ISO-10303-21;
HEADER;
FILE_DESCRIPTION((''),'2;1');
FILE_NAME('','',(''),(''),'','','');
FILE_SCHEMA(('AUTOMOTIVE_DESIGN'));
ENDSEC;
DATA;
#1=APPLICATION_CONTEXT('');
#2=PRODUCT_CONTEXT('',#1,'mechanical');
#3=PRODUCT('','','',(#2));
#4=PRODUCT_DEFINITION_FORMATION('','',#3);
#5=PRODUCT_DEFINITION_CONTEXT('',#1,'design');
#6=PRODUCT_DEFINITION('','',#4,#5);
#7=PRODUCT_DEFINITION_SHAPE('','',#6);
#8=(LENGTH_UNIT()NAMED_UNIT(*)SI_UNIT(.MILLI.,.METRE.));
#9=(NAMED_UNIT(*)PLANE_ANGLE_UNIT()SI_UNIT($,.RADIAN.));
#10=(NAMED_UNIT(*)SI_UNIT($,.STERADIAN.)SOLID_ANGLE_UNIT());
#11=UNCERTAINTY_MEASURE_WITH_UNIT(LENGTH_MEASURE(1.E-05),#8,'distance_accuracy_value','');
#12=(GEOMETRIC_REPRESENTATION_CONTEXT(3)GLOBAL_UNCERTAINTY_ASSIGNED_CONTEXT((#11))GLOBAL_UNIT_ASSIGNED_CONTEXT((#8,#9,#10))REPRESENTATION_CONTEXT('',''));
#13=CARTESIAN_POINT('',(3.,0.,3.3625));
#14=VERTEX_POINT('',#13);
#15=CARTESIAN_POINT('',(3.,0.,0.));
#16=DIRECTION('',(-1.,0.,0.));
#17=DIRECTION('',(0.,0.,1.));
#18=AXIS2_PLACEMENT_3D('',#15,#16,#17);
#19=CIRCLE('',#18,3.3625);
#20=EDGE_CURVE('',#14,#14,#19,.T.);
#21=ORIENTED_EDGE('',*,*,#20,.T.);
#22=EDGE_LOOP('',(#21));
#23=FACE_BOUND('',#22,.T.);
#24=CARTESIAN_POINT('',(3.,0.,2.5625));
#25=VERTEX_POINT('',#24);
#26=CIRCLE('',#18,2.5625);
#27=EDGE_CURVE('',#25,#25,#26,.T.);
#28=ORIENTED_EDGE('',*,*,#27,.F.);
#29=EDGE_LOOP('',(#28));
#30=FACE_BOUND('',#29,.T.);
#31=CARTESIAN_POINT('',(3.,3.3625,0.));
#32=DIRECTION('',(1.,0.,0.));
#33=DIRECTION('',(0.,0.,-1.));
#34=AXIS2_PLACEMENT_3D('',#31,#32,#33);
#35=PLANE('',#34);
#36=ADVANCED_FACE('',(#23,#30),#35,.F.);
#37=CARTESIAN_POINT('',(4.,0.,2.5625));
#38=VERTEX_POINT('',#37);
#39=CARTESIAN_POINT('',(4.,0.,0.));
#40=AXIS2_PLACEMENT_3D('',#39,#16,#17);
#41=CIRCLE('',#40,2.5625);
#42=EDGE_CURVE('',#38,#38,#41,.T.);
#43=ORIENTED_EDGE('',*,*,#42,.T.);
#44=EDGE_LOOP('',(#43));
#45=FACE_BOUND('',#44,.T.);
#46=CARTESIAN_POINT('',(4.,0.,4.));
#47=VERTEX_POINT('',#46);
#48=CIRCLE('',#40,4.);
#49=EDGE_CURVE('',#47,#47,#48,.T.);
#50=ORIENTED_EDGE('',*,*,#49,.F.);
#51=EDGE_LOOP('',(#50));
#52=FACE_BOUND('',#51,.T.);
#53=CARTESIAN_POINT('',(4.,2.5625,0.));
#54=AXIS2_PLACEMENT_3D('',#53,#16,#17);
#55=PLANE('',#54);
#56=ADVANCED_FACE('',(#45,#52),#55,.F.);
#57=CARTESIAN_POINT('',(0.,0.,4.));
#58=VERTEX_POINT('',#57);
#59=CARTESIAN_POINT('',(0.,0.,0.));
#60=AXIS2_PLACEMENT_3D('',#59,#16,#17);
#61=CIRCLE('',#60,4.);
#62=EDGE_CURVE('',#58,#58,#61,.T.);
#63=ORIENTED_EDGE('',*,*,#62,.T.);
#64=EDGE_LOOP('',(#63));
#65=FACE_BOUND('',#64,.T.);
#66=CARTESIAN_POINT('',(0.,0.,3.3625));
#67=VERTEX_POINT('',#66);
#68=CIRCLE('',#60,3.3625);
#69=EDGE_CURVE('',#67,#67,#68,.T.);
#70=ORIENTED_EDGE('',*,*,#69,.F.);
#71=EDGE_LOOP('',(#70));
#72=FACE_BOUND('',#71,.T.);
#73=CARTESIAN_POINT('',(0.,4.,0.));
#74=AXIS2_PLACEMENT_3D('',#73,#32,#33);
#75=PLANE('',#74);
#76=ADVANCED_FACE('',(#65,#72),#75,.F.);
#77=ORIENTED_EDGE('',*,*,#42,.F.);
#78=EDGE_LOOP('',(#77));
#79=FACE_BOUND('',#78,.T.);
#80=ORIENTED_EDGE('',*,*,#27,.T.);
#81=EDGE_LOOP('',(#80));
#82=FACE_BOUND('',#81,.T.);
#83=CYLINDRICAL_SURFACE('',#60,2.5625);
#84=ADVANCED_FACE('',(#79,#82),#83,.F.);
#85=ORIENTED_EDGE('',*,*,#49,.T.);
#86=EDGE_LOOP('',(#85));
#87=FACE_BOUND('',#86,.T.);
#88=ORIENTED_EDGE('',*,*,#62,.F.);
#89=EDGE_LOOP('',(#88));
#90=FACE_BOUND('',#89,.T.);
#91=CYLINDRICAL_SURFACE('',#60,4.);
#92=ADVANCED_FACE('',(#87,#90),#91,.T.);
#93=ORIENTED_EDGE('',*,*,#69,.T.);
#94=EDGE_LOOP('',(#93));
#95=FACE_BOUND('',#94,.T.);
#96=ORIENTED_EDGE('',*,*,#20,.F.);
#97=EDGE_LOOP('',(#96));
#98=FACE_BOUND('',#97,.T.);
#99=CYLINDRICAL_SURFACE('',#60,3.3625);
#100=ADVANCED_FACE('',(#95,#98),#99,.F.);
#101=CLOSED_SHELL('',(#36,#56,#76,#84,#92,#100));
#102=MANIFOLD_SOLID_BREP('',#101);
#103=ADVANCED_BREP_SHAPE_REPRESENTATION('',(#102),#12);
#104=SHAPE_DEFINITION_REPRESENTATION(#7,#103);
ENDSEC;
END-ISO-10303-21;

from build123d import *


with BuildPart() as part:
    # 草图1 → 旋转1 (revolve)
    with BuildSketch(Plane.XY, mode=Mode.PRIVATE) as revolve_1_sk:
        Polygon((0, 3.3625), (3, 3.3625), (3, 2.5625), (4, 2.5625), (4, 4), (0, 4), align=None)
    revolve(revolve_1_sk.sketch.rotate(Axis((0, 0, 0), (1, 0, 0)), 90), axis=Axis((0, 0, 0), (1, 0, 0)))


solid = part.part
